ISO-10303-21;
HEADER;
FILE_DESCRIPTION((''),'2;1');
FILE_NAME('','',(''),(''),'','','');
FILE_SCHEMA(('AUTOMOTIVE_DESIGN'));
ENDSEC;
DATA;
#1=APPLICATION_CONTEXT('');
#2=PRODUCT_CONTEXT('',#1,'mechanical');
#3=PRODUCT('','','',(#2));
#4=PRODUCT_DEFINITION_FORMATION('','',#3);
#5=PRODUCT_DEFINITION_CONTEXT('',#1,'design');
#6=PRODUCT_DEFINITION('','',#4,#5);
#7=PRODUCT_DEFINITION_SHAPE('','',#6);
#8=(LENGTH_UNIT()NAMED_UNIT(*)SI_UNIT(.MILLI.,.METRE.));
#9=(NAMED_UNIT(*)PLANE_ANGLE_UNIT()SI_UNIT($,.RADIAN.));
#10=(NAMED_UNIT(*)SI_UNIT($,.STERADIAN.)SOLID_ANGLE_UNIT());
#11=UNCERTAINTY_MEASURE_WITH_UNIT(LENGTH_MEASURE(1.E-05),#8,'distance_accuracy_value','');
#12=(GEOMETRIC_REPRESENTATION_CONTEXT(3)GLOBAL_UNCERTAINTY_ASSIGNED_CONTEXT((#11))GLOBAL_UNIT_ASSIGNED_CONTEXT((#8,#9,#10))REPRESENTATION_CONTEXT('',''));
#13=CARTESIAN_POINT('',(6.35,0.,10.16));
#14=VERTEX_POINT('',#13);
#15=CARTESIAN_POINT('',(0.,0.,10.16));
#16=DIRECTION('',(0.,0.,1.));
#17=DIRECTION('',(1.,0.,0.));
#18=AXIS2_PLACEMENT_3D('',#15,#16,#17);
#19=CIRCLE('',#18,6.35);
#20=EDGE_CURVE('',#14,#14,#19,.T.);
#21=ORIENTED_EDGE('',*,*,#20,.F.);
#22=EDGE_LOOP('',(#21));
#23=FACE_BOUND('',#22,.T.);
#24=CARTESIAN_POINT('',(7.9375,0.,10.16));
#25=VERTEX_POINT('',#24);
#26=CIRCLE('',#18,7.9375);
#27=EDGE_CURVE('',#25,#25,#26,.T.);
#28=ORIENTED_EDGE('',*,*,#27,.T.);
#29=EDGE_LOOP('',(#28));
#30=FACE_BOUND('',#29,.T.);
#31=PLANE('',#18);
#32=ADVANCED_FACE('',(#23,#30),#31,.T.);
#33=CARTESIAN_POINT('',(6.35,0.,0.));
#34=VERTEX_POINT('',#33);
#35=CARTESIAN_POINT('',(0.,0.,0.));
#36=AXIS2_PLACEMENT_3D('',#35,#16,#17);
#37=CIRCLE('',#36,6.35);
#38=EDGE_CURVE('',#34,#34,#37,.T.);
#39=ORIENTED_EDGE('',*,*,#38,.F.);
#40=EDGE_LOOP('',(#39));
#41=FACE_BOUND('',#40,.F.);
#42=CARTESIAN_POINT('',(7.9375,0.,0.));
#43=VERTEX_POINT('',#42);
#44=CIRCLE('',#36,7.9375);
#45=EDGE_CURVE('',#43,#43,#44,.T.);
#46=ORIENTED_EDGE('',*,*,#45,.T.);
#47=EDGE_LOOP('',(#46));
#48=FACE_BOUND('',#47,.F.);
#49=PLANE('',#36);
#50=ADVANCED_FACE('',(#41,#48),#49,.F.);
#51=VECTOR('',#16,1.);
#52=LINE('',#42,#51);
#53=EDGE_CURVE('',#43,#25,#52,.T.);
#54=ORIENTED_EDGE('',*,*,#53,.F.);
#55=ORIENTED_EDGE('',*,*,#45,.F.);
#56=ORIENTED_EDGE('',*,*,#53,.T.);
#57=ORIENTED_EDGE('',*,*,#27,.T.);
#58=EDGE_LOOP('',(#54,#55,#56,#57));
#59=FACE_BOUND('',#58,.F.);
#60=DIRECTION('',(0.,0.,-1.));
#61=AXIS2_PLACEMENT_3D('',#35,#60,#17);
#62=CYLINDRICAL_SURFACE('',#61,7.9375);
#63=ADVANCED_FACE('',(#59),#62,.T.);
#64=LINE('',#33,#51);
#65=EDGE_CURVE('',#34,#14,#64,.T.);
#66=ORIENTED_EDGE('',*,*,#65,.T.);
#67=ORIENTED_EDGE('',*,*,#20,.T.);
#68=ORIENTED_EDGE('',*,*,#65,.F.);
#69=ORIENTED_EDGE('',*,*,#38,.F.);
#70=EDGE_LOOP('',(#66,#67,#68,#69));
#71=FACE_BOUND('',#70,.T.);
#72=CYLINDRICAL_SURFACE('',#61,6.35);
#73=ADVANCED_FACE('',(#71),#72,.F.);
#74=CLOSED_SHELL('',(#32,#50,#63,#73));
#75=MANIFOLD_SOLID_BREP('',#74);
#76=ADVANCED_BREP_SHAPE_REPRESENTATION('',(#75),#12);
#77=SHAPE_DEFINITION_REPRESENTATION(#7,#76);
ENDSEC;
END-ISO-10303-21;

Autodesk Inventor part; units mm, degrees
ref_plane "YZ Plane" through (0, 0, 0) normal (1, 0, 0) x (0, 1, 0)
ref_plane "XZ Plane" through (0, 0, 0) normal (0, 1, 0) x (-1, 0, 0)
ref_plane "XY Plane" through (0, 0, 0) normal (0, 0, 1) x (1, 0, 0)
sketch "Sketch1" plane through (0, 0, 0) normal (0, 0, 1) x (1, 0, 0)
  circle A0 centre (0, 0) radius 6.35
  circle A1 centre (0, 0) radius 7.9375
  dimension "d0" = 12.7
  dimension "d1" = 15.875
extrude "Extrusion1" add sketch "Sketch1" along normal blind 10.16
properties part number "Aluminum Spacer Part 2" material "Aluminum 6061"
